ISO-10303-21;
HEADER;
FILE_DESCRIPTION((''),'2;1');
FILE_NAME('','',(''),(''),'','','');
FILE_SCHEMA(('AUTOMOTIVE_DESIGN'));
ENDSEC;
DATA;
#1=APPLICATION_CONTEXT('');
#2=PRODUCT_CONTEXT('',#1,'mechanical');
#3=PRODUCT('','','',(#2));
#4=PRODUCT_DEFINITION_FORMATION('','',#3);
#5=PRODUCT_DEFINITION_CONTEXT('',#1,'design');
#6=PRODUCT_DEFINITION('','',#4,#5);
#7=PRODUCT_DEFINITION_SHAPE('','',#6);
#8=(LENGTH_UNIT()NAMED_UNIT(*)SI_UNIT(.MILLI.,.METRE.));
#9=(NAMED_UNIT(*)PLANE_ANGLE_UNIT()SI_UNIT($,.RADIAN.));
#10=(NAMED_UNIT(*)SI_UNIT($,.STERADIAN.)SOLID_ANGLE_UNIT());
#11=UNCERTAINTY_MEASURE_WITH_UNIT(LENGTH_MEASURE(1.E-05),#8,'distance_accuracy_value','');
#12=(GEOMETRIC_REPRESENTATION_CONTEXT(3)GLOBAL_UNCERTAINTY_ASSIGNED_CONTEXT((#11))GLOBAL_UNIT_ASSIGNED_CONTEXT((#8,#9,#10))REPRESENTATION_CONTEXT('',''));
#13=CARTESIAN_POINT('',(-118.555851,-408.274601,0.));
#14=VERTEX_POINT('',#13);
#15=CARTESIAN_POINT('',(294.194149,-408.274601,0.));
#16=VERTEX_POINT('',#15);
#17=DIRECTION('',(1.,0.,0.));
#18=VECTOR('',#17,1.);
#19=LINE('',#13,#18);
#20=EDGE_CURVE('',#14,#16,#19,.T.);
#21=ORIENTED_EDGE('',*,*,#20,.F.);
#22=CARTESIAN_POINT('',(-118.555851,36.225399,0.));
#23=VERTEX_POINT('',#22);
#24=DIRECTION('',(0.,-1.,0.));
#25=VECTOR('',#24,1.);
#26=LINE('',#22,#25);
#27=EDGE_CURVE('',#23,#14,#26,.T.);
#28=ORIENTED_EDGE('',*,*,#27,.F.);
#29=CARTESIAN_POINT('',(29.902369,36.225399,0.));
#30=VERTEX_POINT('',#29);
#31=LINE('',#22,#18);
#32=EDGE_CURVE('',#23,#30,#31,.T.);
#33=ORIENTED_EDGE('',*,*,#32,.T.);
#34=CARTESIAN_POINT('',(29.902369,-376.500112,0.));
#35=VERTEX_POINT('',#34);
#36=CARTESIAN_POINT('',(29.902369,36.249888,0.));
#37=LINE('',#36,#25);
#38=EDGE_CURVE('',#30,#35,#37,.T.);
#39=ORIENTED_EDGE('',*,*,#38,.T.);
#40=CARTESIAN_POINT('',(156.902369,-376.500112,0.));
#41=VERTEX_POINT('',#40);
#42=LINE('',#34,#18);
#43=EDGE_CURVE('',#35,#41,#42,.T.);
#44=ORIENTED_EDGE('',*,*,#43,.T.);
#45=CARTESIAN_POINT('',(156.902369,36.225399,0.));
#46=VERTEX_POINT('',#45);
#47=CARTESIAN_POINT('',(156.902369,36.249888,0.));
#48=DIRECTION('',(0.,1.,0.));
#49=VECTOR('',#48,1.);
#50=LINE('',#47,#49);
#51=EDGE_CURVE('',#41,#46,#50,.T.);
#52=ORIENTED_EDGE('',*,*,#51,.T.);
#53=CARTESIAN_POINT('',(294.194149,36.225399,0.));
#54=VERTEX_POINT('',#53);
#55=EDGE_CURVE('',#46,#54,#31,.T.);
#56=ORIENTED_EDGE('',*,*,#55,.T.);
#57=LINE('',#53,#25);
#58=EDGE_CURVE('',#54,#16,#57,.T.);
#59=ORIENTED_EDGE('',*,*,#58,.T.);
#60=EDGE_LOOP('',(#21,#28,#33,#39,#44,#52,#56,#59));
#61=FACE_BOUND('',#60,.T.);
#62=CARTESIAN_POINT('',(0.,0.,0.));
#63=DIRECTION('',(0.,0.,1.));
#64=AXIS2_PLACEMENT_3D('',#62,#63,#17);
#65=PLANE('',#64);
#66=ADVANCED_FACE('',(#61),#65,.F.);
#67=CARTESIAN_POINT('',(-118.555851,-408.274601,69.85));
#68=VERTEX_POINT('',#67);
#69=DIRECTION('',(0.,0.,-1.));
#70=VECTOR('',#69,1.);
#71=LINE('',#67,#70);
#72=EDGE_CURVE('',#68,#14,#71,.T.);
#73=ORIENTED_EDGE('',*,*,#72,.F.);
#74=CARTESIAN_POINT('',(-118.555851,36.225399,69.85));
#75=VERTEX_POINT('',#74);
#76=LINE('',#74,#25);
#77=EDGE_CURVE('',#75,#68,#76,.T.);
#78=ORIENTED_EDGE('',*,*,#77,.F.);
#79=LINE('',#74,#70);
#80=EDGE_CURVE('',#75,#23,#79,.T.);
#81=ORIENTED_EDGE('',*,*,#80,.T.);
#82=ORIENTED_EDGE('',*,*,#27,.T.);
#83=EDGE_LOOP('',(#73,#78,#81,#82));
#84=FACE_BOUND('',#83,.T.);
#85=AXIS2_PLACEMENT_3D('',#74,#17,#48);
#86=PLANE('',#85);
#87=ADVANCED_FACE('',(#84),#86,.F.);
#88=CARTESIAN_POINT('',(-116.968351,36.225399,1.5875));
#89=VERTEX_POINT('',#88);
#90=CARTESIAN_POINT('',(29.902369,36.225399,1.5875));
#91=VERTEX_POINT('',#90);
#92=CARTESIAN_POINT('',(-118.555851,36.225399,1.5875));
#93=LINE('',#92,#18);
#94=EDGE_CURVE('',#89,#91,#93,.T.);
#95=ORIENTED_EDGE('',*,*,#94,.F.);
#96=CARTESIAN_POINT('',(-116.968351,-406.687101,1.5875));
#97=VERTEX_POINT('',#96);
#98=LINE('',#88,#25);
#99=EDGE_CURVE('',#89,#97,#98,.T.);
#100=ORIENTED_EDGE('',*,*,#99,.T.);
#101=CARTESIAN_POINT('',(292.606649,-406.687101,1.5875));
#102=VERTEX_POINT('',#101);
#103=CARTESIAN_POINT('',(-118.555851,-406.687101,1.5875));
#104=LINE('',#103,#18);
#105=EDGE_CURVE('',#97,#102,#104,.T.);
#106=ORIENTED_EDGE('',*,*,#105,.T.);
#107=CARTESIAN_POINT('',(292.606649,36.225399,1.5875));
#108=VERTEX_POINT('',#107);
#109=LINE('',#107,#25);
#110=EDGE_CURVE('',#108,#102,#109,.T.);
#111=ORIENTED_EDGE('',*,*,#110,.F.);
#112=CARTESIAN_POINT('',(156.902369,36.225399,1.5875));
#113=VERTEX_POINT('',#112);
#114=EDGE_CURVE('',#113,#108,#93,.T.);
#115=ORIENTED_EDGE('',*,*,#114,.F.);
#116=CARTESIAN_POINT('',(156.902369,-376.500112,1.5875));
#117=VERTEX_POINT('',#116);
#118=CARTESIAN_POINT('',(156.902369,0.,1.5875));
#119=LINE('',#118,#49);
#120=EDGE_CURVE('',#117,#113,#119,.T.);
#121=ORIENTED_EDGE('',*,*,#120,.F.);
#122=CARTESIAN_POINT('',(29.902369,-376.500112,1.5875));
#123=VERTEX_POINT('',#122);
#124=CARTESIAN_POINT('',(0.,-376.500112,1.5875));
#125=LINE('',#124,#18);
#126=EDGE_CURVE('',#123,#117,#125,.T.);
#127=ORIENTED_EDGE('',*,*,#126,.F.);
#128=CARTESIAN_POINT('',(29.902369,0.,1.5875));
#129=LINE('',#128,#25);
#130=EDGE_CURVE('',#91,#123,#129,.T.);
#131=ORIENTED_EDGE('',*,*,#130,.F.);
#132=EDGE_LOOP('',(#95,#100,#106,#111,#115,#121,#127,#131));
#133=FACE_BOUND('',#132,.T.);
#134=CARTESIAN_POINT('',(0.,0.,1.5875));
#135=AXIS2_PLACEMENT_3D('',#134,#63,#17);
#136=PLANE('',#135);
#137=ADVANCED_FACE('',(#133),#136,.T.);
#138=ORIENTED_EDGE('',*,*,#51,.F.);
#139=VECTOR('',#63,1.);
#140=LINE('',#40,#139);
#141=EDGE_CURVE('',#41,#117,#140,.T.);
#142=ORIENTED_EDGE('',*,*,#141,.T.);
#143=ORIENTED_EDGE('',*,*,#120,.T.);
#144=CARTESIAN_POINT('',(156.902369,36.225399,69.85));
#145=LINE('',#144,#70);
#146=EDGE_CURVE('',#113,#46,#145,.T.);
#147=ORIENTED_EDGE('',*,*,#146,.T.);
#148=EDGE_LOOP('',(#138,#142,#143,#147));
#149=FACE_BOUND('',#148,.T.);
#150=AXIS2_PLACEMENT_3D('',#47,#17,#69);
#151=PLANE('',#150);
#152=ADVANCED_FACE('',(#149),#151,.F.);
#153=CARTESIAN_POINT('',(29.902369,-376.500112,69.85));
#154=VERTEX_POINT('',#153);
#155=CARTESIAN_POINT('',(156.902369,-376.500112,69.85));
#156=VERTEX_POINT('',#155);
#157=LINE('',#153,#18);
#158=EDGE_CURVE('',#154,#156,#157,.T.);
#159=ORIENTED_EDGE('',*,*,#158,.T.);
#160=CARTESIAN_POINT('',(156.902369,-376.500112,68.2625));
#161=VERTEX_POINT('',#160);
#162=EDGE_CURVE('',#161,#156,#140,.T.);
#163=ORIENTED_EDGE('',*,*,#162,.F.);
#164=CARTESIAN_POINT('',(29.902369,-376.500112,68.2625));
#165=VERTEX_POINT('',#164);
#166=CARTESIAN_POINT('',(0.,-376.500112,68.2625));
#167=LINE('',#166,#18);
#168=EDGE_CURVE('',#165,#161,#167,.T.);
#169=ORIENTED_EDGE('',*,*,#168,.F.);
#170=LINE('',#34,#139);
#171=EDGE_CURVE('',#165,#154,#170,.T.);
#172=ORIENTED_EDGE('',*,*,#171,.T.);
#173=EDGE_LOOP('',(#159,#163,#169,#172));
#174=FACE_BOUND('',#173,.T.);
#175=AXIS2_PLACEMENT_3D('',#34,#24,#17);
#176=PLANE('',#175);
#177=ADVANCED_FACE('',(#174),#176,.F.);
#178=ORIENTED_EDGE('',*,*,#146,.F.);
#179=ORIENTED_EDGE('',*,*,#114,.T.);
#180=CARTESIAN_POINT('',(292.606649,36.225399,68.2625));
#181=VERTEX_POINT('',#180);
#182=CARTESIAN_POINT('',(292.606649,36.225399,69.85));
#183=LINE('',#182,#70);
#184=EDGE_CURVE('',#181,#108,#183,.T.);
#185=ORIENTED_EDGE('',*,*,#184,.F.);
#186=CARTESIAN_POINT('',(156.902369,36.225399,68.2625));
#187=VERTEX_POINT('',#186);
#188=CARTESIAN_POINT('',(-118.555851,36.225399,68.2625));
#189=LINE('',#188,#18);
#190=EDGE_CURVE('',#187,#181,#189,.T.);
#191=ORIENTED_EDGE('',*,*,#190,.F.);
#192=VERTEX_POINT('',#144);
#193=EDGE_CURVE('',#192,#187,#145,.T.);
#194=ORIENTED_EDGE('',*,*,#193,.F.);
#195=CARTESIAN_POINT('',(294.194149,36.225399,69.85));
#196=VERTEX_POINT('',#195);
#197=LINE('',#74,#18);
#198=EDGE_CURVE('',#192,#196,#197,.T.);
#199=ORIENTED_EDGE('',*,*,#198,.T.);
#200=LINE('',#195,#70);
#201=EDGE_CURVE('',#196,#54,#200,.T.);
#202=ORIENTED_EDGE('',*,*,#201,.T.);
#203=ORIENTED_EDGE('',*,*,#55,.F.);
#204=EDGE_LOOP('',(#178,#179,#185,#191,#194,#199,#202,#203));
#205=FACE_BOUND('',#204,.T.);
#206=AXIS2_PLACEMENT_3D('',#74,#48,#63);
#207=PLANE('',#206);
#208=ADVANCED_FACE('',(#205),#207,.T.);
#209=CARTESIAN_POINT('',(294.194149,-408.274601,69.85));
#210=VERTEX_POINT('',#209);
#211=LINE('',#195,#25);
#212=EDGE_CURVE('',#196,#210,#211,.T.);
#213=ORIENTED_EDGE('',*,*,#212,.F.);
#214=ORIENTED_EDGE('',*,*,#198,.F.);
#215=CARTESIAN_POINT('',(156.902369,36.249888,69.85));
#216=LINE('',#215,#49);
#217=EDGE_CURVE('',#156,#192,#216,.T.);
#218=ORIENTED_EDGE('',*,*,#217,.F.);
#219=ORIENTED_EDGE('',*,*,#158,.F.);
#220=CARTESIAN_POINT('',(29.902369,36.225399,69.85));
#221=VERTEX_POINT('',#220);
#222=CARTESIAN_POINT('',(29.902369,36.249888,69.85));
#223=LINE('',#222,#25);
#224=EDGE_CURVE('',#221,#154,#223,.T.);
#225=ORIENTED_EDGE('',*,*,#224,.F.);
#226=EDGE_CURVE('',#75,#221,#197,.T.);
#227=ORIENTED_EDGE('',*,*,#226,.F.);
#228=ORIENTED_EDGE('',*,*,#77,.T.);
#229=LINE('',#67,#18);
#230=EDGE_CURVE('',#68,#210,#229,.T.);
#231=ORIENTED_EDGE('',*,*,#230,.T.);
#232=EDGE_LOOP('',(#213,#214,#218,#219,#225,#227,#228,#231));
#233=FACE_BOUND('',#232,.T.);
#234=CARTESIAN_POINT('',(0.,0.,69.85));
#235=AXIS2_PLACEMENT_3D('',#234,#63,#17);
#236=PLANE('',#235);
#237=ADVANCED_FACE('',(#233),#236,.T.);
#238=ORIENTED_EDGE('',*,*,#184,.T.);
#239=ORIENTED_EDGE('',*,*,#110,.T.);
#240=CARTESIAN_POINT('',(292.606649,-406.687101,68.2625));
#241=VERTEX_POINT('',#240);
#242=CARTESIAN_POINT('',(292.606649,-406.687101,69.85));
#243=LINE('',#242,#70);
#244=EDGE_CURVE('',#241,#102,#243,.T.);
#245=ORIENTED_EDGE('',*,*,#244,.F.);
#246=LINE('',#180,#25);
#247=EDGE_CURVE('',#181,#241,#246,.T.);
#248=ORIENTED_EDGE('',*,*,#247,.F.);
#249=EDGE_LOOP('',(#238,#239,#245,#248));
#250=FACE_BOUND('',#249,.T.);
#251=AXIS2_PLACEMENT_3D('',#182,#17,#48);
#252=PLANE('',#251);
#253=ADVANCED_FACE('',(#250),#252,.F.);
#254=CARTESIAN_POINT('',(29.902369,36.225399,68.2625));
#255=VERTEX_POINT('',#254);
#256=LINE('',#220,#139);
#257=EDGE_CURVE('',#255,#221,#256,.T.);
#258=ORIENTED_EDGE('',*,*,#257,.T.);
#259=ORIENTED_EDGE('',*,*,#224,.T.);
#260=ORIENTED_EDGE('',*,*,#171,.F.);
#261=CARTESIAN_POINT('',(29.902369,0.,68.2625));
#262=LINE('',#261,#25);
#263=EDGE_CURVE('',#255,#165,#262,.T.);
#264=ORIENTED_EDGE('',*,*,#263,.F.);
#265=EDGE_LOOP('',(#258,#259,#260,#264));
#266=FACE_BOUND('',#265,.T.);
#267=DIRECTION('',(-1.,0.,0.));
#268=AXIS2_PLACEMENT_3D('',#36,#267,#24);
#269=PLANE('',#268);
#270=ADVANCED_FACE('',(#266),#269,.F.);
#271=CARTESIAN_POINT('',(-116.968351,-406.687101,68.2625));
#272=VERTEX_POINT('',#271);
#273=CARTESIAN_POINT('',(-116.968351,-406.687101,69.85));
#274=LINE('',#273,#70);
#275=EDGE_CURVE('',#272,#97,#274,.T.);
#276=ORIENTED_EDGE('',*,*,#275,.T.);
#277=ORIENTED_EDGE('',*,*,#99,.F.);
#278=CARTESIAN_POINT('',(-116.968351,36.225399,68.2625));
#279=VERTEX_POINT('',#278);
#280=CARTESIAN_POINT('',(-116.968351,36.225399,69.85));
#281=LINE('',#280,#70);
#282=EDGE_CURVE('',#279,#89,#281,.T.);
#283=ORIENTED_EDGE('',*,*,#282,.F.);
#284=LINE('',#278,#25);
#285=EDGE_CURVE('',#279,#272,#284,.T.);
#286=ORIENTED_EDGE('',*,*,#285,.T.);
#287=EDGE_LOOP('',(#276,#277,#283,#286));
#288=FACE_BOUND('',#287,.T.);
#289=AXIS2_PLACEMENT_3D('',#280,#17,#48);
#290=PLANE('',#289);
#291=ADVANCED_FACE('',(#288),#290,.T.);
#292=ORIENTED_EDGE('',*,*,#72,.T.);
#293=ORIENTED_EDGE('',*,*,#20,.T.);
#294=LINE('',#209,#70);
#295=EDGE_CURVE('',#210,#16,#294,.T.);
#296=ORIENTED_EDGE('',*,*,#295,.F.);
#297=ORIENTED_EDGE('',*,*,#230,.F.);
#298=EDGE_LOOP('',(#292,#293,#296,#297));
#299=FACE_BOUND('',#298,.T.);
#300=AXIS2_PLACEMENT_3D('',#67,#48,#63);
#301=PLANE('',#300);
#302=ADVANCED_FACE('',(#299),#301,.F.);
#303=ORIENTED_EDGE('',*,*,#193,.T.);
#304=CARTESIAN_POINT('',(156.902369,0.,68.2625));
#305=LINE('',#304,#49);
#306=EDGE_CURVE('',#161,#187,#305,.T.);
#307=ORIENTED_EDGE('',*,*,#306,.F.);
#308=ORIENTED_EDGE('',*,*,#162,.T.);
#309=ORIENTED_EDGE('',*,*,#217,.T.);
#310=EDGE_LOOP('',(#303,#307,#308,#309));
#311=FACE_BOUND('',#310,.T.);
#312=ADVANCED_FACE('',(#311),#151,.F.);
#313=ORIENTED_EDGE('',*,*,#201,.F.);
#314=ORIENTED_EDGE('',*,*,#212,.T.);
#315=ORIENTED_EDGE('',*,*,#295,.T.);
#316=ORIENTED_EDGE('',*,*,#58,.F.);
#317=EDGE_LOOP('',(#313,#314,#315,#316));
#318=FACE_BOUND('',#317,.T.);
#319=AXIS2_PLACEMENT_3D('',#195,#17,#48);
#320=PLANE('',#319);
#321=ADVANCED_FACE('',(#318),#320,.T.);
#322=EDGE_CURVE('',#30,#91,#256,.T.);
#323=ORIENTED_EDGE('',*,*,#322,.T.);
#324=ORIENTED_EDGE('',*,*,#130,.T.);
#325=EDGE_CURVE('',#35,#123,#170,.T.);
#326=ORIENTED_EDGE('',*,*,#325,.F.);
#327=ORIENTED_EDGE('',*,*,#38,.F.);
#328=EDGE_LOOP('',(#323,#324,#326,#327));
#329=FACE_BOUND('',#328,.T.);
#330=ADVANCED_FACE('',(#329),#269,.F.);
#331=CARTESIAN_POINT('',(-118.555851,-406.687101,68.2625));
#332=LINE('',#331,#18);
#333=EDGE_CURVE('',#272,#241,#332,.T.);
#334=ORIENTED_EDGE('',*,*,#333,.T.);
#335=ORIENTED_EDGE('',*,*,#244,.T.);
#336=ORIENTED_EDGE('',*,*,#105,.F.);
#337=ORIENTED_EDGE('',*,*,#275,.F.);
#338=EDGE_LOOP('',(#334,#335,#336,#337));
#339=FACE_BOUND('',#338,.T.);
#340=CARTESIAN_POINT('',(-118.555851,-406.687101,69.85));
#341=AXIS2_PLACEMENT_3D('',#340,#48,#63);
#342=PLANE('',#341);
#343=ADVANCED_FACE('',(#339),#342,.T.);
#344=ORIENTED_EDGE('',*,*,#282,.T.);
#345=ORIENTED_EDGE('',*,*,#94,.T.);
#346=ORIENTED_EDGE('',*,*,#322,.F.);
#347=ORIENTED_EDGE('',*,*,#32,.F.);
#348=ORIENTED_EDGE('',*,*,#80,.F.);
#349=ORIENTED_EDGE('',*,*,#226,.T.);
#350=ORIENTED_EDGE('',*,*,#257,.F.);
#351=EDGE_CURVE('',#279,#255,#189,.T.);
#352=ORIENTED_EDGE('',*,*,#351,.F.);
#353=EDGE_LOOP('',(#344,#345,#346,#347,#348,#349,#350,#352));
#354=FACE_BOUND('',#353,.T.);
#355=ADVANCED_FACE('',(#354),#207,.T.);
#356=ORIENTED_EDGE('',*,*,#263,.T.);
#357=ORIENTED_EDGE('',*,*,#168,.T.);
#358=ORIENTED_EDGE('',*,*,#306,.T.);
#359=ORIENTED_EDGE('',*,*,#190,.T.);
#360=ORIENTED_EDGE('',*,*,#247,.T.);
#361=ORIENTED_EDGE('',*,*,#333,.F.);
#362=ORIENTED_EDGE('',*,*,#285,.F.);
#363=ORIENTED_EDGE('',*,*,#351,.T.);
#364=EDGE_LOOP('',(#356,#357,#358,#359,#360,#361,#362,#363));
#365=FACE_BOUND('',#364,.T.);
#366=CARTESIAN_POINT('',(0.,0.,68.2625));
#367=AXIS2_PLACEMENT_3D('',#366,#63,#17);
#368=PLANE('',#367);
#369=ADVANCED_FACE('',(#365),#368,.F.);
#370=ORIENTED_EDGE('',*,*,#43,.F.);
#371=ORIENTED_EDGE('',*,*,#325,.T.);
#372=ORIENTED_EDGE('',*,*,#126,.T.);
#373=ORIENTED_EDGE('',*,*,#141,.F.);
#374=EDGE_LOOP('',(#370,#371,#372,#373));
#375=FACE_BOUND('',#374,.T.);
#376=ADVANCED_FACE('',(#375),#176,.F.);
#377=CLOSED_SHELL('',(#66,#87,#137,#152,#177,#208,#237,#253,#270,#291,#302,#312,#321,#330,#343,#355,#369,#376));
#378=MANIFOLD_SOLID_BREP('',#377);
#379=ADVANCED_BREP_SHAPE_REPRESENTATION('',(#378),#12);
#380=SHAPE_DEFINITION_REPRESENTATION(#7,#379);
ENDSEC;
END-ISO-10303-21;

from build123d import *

# Parameters (mm, degrees)
SKETCH2_W           = 412.75
SKETCH2_H           = 444.5
BOSS_EXTRUDE1_DEPTH = 69.85
SHELL1_T            = -1.5875
SKETCH4_W           = 127
SKETCH4_H           = 412.75
CUT_EXTRUDE1_DEPTH  = 69.85


with BuildPart() as part:
    # Sketch2 → Boss-Extrude1 (new body)
    with BuildSketch(Plane.XY):
        with Locations((87.819148936, -186.024601064)):
            Rectangle(SKETCH2_W, SKETCH2_H)
    extrude(amount=BOSS_EXTRUDE1_DEPTH)

    # Shell1
    shell1_openings = [part.faces().sort_by_distance(p)[0] for p in [
        (87.819148936, 36.225398936, 34.925),
    ]]
    offset(amount=SHELL1_T, openings=shell1_openings, kind=Kind.INTERSECTION)

    # Sketch4 → Cut-Extrude1 (cut)
    with BuildSketch(Plane.XY.offset(69.85)):
        with Locations((93.402369386, -170.125111794)):
            Rectangle(SKETCH4_W, SKETCH4_H)
    extrude(amount=-CUT_EXTRUDE1_DEPTH, mode=Mode.SUBTRACT)


solid = part.part
